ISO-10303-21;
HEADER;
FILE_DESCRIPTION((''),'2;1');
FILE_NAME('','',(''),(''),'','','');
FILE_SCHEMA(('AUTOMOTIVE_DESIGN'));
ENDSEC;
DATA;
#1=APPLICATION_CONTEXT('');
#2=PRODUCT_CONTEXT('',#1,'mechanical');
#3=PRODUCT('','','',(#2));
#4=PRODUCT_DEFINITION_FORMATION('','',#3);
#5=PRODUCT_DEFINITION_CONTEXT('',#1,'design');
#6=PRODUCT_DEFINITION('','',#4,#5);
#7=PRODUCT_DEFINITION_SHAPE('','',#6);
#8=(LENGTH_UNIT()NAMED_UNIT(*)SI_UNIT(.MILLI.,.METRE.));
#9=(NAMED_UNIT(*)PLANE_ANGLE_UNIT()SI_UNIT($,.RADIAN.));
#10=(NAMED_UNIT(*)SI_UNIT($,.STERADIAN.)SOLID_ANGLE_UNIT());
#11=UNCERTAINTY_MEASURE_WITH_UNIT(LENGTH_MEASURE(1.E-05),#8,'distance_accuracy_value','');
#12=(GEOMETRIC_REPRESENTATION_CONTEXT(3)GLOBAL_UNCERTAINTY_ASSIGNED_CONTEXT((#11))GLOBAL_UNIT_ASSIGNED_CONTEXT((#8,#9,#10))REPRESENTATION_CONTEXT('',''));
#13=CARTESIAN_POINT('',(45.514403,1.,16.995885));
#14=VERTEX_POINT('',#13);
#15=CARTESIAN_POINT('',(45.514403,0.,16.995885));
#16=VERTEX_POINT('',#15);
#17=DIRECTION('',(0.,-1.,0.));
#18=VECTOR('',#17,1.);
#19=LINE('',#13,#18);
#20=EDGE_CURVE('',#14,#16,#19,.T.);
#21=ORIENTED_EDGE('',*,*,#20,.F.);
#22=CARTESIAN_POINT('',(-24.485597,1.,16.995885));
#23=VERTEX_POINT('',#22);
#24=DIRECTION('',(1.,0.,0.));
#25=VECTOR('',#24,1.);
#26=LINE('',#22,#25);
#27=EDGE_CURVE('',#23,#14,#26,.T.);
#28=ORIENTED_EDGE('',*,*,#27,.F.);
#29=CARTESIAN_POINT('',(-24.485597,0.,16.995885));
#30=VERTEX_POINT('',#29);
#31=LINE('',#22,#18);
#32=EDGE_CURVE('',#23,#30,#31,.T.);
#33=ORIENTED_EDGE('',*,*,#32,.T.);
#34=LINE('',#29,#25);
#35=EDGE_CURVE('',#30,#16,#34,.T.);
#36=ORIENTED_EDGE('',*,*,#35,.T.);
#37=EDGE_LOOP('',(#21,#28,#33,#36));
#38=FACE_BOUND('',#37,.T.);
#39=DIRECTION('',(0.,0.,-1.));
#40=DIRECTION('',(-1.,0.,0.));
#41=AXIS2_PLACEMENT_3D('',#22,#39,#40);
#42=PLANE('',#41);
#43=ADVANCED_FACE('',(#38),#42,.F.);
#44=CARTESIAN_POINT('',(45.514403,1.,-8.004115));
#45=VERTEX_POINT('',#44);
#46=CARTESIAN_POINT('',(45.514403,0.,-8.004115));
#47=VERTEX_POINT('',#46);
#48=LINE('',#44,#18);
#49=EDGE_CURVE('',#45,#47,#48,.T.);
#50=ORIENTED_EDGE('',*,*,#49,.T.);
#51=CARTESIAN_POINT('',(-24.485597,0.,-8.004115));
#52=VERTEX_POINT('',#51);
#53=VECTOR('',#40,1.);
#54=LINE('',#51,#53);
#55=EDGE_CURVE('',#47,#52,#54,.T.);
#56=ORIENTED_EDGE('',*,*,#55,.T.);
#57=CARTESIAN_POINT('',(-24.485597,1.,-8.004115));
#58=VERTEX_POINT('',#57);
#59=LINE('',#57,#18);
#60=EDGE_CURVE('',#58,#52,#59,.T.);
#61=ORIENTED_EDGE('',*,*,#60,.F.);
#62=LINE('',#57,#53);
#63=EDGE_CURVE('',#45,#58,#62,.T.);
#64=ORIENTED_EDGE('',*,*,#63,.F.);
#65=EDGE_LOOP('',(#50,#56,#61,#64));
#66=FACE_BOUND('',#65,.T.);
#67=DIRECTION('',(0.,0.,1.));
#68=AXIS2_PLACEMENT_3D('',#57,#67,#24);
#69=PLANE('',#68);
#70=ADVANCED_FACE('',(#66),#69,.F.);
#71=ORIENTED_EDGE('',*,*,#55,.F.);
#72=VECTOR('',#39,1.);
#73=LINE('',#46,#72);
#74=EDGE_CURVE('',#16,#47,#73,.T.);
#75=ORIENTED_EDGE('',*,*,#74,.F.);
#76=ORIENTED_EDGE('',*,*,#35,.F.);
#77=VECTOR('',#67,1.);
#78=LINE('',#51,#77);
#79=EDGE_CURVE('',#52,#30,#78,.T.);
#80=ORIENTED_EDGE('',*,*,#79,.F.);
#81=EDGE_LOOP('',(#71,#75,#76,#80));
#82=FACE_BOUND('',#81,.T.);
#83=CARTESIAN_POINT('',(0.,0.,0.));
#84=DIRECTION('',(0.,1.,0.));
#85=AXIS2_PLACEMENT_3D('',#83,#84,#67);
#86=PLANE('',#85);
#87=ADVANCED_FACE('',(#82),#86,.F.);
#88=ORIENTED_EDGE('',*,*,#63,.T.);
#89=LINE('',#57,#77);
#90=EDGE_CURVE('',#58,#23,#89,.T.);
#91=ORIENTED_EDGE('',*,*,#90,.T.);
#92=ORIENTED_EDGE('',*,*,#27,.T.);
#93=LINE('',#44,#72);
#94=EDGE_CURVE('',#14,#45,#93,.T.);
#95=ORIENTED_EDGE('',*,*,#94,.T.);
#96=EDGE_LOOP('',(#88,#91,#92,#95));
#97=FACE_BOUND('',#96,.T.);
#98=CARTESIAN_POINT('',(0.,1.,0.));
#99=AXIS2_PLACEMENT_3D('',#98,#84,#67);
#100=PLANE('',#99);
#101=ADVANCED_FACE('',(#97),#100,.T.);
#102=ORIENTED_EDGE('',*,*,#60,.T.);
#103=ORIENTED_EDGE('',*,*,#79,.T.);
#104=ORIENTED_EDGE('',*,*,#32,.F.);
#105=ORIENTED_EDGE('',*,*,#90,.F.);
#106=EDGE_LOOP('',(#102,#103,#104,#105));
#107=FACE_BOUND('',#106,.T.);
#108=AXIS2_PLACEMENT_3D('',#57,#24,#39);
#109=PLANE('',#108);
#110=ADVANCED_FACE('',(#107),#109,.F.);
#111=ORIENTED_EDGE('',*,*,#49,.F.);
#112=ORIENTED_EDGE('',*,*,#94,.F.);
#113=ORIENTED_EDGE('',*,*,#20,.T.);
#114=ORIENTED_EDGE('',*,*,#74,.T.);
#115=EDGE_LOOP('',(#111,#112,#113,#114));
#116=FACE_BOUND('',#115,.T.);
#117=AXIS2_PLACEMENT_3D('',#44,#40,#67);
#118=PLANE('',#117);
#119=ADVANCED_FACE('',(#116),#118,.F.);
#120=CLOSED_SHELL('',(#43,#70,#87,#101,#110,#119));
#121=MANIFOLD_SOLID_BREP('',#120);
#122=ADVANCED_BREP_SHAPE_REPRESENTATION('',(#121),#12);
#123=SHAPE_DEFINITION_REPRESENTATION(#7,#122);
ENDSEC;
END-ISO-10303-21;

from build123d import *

# Parameters (mm, degrees)
SKETCH1_W           = 70
SKETCH1_H           = 25
BOSS_EXTRUDE1_DEPTH = 1


with BuildPart() as part:
    # Sketch1 → Boss-Extrude1 (new body)
    with BuildSketch(Plane(origin=(0, 0, 0), x_dir=(1, 0, 0), z_dir=(0, 1, 0))):
        with Locations((10.514403292, -4.495884774)):
            Rectangle(SKETCH1_W, SKETCH1_H)
    extrude(amount=BOSS_EXTRUDE1_DEPTH)


solid = part.part
